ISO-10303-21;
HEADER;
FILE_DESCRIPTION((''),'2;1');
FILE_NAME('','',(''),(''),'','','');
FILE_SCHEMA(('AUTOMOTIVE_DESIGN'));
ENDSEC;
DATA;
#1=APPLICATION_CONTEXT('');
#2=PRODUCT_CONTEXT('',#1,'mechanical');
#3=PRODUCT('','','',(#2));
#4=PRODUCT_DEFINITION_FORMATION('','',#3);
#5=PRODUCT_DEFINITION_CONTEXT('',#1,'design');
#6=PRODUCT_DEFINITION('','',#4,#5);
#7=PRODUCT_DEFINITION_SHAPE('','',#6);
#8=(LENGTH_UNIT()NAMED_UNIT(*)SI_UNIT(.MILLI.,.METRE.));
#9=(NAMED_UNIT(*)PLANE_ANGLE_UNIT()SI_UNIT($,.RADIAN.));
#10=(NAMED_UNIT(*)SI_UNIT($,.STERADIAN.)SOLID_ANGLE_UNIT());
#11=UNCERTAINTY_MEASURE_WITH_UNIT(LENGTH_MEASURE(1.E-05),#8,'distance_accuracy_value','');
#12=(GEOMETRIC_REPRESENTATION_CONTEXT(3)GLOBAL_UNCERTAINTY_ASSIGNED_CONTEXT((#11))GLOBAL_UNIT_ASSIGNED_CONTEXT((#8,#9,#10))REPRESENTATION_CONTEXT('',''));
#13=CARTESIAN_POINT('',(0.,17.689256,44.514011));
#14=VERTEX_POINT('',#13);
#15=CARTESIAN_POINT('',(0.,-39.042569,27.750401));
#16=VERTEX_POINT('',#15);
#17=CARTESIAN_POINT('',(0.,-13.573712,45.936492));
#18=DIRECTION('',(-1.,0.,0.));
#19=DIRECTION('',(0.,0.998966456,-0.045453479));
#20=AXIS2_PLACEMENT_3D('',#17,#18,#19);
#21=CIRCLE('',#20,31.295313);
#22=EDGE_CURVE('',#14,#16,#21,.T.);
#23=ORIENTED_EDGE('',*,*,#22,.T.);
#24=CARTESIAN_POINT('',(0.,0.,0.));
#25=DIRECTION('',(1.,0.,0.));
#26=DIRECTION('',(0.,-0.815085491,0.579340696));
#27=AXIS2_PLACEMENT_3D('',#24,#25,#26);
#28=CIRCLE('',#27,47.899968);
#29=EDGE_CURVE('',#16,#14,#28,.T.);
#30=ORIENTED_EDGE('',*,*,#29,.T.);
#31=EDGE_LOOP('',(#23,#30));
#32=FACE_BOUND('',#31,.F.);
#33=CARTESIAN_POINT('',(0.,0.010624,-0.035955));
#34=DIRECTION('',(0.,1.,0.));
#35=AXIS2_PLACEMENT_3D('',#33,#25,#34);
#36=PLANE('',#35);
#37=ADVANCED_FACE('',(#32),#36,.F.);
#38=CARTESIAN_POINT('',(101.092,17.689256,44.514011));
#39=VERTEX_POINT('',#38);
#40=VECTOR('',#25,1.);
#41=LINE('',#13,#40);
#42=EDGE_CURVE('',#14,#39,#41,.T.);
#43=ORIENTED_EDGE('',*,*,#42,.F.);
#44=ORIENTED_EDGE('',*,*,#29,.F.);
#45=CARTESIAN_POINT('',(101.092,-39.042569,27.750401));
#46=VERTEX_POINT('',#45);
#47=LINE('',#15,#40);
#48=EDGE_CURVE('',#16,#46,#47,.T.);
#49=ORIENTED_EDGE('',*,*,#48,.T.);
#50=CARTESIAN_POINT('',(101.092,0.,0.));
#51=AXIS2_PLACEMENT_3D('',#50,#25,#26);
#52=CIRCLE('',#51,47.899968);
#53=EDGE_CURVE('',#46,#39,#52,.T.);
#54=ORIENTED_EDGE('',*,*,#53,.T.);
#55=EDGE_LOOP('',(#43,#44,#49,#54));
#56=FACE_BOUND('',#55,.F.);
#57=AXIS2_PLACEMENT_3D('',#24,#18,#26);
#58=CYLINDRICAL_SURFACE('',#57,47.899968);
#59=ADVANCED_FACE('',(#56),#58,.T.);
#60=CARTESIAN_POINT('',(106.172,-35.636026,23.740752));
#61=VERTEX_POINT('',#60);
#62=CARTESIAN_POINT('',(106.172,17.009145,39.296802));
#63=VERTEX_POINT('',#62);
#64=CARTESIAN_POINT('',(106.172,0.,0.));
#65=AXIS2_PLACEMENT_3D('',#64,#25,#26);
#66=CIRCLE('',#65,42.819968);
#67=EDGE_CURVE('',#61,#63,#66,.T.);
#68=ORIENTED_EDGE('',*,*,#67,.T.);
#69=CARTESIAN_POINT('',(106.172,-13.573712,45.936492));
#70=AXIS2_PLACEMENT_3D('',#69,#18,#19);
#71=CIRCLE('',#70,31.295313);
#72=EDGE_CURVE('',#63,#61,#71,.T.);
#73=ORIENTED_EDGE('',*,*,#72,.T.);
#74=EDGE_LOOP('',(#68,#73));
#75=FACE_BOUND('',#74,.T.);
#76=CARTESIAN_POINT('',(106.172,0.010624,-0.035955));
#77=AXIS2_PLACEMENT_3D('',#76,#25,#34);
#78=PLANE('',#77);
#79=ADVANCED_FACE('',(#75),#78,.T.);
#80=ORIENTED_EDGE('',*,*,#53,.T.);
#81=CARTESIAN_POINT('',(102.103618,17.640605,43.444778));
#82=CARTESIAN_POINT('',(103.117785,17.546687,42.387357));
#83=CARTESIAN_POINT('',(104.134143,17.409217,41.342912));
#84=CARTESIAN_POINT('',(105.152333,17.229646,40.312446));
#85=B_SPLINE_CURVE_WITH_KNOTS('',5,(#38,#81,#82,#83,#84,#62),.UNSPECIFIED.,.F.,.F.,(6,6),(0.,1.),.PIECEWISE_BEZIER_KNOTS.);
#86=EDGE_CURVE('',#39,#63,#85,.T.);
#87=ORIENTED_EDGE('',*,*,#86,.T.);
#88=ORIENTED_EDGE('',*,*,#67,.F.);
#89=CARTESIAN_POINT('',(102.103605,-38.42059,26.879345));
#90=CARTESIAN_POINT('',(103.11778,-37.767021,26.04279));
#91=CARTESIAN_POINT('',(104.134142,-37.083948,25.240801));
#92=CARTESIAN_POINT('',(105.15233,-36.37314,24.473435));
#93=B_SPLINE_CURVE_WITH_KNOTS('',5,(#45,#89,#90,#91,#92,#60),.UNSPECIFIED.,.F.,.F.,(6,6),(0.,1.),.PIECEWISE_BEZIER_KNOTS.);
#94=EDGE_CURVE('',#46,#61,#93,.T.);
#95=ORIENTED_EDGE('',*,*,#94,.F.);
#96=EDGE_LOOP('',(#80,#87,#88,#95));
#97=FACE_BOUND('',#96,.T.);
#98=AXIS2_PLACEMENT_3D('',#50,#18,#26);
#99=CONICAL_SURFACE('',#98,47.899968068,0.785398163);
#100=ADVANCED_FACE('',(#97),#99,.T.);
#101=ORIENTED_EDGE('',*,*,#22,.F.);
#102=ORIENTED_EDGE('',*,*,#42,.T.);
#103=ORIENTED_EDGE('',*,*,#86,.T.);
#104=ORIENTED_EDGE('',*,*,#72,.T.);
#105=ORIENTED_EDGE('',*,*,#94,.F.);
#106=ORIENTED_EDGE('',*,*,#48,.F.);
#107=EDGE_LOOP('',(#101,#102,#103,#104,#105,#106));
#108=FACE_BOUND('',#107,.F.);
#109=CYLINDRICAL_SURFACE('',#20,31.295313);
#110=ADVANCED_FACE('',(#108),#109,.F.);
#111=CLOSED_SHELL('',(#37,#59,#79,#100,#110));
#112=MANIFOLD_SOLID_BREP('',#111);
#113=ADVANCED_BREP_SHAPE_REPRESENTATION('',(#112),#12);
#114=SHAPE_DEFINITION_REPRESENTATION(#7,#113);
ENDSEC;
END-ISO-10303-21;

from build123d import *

# Parameters (mm, degrees)
F1_DEPTH = 106.172
F2_SIZE2 = 5.08
F2_SIZE  = 5.08


with BuildPart() as f1:
    # F0 (on Right) → F1 (new body)
    with BuildSketch(Plane.YZ):
        with BuildLine():
            ThreePointArc((17.689256, 44.514011), (-4.705364, 15.924011), (-39.042569, 27.750401))
            ThreePointArc((-39.042569, 27.750401), (13.573711, -45.936492), (17.689256, 44.514011))
        make_face()
    extrude(amount=F1_DEPTH)

    # F2
    f2_edges = [f1.edges().sort_by_distance(p)[0] for p in [
        (106.172, 13.573711, -45.936492),
    ]]
    chamfer(f2_edges, length=F2_SIZE, length2=F2_SIZE2)


solid = f1.part
